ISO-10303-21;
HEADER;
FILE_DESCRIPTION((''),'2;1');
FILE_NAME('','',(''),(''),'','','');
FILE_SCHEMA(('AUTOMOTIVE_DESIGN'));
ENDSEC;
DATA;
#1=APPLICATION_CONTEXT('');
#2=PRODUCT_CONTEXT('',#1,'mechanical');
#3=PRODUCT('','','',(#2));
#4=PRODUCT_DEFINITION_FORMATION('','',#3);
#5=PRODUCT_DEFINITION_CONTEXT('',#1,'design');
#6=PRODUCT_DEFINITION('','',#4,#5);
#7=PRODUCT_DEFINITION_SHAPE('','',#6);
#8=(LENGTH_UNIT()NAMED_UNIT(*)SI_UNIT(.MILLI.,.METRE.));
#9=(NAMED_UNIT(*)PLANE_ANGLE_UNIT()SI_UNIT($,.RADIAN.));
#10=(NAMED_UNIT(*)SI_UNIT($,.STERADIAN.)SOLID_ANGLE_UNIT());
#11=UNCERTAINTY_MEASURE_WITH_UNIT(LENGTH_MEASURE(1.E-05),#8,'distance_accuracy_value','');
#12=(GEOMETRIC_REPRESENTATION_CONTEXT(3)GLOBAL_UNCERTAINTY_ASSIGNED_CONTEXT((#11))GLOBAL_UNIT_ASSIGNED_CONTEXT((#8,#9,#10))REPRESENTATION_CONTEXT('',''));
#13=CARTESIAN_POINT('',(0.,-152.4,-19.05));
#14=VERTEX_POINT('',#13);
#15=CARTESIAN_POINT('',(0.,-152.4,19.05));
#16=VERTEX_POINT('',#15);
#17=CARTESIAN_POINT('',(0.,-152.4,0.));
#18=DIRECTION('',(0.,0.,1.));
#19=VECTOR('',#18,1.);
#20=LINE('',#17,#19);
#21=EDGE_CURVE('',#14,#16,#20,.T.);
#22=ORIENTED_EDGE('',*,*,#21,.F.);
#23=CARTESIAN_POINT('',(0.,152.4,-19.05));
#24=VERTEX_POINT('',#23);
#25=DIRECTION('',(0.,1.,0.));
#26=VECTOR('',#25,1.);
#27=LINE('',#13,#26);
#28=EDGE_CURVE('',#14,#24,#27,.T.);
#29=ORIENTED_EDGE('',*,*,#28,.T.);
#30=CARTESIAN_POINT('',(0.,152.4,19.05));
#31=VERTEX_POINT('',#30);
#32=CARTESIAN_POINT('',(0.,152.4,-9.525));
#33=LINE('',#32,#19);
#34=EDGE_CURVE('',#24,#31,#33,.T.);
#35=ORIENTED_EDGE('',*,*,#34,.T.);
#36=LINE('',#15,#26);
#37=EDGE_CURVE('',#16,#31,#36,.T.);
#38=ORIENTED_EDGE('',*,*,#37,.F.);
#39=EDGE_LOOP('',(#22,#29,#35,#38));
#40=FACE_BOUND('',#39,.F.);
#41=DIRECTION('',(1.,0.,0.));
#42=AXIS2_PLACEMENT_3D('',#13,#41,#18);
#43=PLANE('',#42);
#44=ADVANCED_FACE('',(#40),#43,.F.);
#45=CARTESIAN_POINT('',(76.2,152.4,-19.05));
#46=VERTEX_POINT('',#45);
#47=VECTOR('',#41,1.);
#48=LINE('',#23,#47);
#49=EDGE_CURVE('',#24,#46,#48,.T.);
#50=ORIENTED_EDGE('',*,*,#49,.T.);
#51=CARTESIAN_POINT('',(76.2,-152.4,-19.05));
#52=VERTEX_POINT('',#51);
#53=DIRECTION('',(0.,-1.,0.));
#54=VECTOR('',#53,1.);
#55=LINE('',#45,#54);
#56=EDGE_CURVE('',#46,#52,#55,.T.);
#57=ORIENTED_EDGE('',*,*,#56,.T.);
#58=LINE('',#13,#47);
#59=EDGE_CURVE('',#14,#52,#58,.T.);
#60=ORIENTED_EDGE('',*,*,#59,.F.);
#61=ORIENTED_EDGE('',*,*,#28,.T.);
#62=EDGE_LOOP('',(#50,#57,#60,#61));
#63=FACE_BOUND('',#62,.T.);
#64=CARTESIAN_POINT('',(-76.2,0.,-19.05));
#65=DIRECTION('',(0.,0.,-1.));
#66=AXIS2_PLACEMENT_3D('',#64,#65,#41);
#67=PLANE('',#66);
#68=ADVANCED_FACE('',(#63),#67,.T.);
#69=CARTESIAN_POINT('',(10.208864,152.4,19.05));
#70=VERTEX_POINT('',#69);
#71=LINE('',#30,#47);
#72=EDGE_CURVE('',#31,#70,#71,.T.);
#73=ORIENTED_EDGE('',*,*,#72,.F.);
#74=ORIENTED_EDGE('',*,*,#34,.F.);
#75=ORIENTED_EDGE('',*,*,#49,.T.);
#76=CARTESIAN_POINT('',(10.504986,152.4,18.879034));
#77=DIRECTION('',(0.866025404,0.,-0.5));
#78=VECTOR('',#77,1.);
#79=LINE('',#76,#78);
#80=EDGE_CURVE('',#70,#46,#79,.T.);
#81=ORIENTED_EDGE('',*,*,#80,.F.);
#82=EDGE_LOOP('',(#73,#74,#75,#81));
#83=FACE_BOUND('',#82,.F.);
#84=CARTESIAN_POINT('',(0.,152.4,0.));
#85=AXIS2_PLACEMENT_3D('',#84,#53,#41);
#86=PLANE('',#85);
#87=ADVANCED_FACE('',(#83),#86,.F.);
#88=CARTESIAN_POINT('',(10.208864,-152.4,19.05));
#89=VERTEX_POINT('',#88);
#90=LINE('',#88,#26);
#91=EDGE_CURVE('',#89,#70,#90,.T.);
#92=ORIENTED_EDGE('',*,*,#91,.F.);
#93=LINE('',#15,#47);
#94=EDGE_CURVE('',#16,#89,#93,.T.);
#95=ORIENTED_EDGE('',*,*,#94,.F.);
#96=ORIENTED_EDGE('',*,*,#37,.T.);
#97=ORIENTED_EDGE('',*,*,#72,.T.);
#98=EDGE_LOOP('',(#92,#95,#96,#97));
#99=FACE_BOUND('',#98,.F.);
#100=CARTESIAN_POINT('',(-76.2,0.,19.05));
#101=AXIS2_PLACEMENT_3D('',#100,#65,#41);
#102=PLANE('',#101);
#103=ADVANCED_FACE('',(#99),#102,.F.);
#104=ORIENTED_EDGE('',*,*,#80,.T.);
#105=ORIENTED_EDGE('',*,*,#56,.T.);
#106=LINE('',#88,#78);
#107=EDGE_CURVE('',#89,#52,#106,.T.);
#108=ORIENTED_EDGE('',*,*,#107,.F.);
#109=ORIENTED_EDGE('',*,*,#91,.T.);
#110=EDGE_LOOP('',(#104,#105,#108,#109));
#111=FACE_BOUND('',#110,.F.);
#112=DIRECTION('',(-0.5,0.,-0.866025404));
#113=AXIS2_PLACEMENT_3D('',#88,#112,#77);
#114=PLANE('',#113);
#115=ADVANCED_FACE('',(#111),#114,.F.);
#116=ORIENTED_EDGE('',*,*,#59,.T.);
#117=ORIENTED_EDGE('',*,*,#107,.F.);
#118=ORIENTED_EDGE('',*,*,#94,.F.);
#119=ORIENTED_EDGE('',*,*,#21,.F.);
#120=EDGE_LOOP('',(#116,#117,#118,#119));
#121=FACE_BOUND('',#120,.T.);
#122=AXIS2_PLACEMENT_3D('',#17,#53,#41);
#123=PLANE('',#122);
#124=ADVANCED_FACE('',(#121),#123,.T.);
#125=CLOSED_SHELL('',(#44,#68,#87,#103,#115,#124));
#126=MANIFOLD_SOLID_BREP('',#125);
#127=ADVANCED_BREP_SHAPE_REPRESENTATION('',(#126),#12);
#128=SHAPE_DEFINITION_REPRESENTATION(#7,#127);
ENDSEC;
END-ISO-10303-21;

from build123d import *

# Parameters (mm, degrees)
F0_W     = 152.4
F0_H     = 38.1
F1_DEPTH = 152.4
F3_DEPTH = 304.801
F4_W     = 76.2
F4_H     = 38.1
F5_DEPTH = 304.801


with BuildPart() as f1:
    # F0 (on Front) → F1 (new body, symmetric)
    with BuildSketch(Plane.XZ):
        Rectangle(F0_W, F0_H)
    extrude(amount=F1_DEPTH, both=True)

    # F2 (on face) → F3 (cut, through all)
    with BuildSketch(Plane.XZ.offset(152.4)):
        Polygon((76.2, 19.05), (10.2088642316, 19.05), (76.2, -19.05), align=None)
    extrude(amount=-F3_DEPTH, mode=Mode.SUBTRACT)

    # F4 (on face) → F5 (cut, through all)
    with BuildSketch(Plane.XZ.offset(152.4)):
        with Locations((-38.1, 0)):
            Rectangle(F4_W, F4_H)
    extrude(amount=-F5_DEPTH, mode=Mode.SUBTRACT)


solid = f1.part
